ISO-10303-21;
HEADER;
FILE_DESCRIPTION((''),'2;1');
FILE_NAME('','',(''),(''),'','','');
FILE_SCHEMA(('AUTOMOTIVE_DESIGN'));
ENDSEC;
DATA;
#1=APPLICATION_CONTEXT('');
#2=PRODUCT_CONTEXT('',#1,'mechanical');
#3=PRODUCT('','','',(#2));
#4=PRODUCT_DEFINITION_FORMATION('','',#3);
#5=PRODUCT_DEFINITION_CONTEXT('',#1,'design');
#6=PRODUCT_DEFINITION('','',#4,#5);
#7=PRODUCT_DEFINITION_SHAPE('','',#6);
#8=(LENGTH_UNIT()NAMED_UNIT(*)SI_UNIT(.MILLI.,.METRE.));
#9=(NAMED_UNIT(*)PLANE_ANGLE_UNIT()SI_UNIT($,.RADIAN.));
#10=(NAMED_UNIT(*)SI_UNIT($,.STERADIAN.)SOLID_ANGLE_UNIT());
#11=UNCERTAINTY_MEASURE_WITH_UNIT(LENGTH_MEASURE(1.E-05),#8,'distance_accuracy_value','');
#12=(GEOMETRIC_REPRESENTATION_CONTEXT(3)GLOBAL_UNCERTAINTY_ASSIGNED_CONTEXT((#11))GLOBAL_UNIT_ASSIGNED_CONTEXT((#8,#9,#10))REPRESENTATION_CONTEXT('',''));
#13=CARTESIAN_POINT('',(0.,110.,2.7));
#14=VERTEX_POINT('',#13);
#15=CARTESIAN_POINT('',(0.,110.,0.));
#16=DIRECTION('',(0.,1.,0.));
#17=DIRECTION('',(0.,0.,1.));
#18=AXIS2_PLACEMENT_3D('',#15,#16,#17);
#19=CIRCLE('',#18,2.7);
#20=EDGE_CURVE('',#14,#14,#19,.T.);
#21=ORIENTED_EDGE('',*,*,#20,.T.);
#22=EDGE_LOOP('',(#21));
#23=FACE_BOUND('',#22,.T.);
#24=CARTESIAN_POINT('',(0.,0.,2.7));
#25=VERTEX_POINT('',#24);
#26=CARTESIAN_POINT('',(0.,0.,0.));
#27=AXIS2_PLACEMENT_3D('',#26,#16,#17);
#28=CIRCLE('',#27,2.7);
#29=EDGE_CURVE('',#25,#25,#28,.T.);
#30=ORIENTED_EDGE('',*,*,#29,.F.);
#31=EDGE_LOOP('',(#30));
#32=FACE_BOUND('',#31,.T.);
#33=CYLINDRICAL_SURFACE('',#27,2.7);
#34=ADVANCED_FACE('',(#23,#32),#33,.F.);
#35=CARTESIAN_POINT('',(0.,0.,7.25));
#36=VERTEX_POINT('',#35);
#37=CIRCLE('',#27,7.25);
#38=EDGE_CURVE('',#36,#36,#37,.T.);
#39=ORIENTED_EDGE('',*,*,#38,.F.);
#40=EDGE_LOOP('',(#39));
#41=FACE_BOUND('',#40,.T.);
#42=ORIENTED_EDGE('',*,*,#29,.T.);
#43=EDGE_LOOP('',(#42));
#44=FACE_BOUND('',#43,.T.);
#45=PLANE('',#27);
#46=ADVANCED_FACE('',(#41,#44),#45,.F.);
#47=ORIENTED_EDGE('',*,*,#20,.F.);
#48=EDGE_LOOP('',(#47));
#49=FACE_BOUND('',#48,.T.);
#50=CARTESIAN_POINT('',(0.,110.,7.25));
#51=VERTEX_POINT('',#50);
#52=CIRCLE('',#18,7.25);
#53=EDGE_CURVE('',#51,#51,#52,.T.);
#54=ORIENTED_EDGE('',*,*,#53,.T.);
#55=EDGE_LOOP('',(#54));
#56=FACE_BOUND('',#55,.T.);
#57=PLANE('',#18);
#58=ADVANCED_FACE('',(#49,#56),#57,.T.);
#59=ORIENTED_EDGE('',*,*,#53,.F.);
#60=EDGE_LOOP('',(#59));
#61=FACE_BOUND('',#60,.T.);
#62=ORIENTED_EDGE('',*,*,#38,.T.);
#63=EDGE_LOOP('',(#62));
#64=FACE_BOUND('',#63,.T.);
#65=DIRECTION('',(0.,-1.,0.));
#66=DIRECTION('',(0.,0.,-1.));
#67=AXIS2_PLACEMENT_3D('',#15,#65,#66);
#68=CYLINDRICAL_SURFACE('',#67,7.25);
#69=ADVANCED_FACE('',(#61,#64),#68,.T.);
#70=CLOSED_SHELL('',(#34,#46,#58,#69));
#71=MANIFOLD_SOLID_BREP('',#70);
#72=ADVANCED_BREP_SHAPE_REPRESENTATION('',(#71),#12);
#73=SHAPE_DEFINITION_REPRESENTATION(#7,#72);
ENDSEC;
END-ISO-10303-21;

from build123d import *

# Parameters (mm, degrees)
SKETCH1_R           = 7.25
BOSS_EXTRUDE1_DEPTH = 110
SKETCH2_R           = 2.7
CUT_EXTRUDE1_DEPTH  = 110


with BuildPart() as part:
    # Sketch1 → Boss-Extrude1 (new body)
    with BuildSketch(Plane(origin=(0, 0, 0), x_dir=(1, 0, 0), z_dir=(0, 1, 0))):
        with Locations(Location((0, 0, 0), (0, 0, 270))):
            Circle(SKETCH1_R)
    extrude(amount=BOSS_EXTRUDE1_DEPTH)

    # Sketch2 → Cut-Extrude1 (cut)
    with BuildSketch(Plane(origin=(0, 110, 0), x_dir=(1, 0, 0), z_dir=(0, 1, 0))):
        with Locations(Location((0, 0, 0), (0, 0, 270))):
            Circle(SKETCH2_R)
    extrude(amount=-CUT_EXTRUDE1_DEPTH, mode=Mode.SUBTRACT)


solid = part.part
